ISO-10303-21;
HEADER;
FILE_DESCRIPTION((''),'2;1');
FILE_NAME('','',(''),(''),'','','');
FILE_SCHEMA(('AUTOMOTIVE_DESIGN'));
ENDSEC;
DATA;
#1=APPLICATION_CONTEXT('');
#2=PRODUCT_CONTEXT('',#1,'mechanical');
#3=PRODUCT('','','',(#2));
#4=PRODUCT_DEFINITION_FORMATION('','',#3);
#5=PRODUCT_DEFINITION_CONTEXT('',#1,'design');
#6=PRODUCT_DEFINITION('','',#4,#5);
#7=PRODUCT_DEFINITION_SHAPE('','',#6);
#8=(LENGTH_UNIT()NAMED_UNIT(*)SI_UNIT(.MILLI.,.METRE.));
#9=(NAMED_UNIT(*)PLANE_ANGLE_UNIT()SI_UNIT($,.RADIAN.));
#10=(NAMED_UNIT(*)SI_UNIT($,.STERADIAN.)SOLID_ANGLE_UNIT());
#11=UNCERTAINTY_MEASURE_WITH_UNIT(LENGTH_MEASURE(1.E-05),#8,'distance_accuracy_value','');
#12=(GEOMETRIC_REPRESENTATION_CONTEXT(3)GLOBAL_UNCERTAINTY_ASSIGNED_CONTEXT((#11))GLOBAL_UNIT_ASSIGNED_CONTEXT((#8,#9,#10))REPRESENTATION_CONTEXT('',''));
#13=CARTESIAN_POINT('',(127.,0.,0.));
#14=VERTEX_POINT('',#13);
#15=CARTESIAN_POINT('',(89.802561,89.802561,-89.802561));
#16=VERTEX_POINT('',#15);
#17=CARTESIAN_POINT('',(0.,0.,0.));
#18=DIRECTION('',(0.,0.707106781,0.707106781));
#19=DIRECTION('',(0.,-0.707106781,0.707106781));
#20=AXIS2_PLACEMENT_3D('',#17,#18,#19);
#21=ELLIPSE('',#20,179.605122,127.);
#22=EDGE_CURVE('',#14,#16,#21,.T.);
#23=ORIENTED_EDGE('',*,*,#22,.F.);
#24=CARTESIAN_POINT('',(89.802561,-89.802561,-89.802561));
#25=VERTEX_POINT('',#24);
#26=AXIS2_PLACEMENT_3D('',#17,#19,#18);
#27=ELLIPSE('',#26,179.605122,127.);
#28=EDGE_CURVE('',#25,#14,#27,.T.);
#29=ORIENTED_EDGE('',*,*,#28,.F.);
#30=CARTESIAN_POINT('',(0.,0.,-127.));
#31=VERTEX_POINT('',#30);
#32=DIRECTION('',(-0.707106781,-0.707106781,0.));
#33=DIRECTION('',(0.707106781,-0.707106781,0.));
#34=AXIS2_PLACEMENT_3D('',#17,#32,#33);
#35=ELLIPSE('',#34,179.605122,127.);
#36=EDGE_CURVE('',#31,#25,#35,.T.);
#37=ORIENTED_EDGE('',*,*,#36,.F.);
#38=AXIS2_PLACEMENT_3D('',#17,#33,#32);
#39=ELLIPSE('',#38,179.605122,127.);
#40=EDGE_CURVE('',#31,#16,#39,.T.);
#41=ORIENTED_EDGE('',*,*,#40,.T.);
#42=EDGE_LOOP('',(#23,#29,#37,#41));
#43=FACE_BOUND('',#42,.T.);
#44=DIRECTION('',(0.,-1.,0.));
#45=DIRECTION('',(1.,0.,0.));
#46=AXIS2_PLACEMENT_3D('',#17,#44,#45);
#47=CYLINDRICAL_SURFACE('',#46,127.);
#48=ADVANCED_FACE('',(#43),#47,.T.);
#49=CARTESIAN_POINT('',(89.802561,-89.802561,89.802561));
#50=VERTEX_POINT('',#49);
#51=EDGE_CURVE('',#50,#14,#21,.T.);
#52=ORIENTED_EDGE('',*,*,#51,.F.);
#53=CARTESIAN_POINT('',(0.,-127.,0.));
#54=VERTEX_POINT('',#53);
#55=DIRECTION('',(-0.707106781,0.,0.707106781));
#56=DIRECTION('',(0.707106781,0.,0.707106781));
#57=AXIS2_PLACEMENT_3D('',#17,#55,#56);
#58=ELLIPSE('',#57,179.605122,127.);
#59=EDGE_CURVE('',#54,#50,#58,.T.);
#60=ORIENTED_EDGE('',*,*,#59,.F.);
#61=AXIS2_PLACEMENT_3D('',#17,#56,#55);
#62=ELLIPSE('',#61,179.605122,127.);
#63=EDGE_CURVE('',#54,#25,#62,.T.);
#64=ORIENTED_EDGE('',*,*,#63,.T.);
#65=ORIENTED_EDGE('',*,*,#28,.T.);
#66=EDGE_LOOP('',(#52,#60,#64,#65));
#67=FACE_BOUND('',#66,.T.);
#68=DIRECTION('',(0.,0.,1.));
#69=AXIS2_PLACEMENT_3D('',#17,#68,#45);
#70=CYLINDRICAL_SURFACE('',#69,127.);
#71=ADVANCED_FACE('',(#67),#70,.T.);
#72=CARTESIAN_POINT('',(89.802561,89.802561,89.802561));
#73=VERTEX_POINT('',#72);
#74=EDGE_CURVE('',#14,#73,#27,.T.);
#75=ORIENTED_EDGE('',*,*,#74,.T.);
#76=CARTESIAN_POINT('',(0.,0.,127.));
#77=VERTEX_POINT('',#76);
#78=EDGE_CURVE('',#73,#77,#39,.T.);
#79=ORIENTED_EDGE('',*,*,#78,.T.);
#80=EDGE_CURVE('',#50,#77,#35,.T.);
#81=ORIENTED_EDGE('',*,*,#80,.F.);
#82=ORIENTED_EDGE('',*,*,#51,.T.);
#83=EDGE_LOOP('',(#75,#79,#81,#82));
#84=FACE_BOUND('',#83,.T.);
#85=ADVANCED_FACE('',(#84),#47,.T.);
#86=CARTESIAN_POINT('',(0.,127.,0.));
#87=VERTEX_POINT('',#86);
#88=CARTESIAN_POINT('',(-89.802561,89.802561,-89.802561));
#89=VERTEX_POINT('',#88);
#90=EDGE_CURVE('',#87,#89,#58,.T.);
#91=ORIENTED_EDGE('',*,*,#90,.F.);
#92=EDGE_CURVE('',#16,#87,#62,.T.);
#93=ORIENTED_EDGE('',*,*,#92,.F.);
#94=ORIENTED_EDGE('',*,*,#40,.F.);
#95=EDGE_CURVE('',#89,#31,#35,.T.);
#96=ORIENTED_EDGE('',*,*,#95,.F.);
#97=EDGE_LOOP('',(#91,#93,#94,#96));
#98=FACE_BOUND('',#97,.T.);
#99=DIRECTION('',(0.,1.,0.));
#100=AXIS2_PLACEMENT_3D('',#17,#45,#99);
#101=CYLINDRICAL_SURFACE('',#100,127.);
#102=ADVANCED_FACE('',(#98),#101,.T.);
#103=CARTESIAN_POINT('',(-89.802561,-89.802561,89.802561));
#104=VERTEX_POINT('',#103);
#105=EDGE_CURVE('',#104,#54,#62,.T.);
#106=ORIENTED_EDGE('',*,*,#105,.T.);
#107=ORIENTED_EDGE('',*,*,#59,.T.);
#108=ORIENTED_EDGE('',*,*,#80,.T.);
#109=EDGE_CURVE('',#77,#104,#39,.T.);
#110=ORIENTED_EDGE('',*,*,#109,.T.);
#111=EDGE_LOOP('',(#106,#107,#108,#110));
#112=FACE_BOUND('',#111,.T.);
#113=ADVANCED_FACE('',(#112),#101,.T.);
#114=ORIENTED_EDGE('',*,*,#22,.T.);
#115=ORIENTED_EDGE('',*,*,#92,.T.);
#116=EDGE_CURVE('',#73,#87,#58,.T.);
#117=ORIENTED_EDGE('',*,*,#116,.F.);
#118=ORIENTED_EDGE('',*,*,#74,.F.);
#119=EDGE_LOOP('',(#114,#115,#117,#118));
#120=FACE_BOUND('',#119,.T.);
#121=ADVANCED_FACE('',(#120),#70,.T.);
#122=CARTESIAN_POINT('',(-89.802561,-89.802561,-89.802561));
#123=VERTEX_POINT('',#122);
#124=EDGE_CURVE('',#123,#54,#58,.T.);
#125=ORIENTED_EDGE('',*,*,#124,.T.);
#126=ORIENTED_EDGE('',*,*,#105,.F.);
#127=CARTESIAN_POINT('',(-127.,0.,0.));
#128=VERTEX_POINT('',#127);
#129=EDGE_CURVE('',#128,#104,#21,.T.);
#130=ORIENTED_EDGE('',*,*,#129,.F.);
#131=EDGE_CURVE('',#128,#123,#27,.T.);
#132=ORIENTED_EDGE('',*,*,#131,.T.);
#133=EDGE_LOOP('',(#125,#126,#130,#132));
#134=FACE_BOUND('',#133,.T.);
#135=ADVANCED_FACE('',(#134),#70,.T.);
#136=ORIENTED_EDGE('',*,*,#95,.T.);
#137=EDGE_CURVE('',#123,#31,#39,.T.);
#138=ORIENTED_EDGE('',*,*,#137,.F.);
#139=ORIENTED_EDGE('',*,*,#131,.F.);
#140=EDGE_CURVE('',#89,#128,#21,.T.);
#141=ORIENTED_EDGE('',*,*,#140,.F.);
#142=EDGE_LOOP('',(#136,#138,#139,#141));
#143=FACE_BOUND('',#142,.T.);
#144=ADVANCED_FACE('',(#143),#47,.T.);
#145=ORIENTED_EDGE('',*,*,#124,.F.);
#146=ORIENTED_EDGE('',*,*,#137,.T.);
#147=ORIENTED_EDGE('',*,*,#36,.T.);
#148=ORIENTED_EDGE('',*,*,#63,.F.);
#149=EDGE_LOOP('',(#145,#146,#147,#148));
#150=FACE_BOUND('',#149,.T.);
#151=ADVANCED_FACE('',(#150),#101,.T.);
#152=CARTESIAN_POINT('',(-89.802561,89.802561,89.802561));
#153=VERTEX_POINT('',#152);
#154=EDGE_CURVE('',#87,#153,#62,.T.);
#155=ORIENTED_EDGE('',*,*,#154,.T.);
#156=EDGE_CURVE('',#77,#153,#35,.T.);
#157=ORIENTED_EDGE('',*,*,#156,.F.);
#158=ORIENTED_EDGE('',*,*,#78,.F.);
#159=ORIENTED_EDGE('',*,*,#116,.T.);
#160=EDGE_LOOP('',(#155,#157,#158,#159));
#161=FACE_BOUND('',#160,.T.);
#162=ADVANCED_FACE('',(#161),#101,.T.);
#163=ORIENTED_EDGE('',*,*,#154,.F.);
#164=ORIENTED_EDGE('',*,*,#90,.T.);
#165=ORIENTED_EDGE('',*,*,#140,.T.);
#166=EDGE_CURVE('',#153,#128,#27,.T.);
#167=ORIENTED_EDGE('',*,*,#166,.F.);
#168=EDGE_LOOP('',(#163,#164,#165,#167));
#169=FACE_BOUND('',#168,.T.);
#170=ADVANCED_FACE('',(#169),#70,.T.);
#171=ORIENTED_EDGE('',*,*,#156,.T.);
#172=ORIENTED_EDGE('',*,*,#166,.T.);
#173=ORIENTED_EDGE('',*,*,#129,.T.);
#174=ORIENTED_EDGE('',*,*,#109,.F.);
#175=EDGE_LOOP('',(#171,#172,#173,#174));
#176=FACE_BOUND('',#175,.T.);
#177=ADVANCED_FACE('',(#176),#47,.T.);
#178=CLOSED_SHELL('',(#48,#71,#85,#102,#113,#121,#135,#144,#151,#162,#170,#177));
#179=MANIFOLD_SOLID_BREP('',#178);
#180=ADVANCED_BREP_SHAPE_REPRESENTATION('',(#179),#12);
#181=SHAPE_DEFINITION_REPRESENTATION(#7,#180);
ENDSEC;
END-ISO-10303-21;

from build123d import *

# Parameters (mm, degrees)
F0_R     = 127
F3_DEPTH = 127
F1_R     = 127
F4_DEPTH = 127
F2_R     = 127
F5_DEPTH = 127


with BuildPart() as f3:
    # F0 (on Top) → F3 (new body, symmetric)
    with BuildSketch(Plane.XY):
        Circle(F0_R)
    extrude(amount=F3_DEPTH, both=True)

    # F1 (on Front) → F4 (intersect, symmetric)
    with BuildSketch(Plane.XZ):
        Circle(F1_R)
    extrude(amount=F4_DEPTH, both=True, mode=Mode.INTERSECT)

    # F2 (on Right) → F5 (intersect, symmetric)
    with BuildSketch(Plane.YZ):
        Circle(F2_R)
    extrude(amount=F5_DEPTH, both=True, mode=Mode.INTERSECT)


solid = f3.part
